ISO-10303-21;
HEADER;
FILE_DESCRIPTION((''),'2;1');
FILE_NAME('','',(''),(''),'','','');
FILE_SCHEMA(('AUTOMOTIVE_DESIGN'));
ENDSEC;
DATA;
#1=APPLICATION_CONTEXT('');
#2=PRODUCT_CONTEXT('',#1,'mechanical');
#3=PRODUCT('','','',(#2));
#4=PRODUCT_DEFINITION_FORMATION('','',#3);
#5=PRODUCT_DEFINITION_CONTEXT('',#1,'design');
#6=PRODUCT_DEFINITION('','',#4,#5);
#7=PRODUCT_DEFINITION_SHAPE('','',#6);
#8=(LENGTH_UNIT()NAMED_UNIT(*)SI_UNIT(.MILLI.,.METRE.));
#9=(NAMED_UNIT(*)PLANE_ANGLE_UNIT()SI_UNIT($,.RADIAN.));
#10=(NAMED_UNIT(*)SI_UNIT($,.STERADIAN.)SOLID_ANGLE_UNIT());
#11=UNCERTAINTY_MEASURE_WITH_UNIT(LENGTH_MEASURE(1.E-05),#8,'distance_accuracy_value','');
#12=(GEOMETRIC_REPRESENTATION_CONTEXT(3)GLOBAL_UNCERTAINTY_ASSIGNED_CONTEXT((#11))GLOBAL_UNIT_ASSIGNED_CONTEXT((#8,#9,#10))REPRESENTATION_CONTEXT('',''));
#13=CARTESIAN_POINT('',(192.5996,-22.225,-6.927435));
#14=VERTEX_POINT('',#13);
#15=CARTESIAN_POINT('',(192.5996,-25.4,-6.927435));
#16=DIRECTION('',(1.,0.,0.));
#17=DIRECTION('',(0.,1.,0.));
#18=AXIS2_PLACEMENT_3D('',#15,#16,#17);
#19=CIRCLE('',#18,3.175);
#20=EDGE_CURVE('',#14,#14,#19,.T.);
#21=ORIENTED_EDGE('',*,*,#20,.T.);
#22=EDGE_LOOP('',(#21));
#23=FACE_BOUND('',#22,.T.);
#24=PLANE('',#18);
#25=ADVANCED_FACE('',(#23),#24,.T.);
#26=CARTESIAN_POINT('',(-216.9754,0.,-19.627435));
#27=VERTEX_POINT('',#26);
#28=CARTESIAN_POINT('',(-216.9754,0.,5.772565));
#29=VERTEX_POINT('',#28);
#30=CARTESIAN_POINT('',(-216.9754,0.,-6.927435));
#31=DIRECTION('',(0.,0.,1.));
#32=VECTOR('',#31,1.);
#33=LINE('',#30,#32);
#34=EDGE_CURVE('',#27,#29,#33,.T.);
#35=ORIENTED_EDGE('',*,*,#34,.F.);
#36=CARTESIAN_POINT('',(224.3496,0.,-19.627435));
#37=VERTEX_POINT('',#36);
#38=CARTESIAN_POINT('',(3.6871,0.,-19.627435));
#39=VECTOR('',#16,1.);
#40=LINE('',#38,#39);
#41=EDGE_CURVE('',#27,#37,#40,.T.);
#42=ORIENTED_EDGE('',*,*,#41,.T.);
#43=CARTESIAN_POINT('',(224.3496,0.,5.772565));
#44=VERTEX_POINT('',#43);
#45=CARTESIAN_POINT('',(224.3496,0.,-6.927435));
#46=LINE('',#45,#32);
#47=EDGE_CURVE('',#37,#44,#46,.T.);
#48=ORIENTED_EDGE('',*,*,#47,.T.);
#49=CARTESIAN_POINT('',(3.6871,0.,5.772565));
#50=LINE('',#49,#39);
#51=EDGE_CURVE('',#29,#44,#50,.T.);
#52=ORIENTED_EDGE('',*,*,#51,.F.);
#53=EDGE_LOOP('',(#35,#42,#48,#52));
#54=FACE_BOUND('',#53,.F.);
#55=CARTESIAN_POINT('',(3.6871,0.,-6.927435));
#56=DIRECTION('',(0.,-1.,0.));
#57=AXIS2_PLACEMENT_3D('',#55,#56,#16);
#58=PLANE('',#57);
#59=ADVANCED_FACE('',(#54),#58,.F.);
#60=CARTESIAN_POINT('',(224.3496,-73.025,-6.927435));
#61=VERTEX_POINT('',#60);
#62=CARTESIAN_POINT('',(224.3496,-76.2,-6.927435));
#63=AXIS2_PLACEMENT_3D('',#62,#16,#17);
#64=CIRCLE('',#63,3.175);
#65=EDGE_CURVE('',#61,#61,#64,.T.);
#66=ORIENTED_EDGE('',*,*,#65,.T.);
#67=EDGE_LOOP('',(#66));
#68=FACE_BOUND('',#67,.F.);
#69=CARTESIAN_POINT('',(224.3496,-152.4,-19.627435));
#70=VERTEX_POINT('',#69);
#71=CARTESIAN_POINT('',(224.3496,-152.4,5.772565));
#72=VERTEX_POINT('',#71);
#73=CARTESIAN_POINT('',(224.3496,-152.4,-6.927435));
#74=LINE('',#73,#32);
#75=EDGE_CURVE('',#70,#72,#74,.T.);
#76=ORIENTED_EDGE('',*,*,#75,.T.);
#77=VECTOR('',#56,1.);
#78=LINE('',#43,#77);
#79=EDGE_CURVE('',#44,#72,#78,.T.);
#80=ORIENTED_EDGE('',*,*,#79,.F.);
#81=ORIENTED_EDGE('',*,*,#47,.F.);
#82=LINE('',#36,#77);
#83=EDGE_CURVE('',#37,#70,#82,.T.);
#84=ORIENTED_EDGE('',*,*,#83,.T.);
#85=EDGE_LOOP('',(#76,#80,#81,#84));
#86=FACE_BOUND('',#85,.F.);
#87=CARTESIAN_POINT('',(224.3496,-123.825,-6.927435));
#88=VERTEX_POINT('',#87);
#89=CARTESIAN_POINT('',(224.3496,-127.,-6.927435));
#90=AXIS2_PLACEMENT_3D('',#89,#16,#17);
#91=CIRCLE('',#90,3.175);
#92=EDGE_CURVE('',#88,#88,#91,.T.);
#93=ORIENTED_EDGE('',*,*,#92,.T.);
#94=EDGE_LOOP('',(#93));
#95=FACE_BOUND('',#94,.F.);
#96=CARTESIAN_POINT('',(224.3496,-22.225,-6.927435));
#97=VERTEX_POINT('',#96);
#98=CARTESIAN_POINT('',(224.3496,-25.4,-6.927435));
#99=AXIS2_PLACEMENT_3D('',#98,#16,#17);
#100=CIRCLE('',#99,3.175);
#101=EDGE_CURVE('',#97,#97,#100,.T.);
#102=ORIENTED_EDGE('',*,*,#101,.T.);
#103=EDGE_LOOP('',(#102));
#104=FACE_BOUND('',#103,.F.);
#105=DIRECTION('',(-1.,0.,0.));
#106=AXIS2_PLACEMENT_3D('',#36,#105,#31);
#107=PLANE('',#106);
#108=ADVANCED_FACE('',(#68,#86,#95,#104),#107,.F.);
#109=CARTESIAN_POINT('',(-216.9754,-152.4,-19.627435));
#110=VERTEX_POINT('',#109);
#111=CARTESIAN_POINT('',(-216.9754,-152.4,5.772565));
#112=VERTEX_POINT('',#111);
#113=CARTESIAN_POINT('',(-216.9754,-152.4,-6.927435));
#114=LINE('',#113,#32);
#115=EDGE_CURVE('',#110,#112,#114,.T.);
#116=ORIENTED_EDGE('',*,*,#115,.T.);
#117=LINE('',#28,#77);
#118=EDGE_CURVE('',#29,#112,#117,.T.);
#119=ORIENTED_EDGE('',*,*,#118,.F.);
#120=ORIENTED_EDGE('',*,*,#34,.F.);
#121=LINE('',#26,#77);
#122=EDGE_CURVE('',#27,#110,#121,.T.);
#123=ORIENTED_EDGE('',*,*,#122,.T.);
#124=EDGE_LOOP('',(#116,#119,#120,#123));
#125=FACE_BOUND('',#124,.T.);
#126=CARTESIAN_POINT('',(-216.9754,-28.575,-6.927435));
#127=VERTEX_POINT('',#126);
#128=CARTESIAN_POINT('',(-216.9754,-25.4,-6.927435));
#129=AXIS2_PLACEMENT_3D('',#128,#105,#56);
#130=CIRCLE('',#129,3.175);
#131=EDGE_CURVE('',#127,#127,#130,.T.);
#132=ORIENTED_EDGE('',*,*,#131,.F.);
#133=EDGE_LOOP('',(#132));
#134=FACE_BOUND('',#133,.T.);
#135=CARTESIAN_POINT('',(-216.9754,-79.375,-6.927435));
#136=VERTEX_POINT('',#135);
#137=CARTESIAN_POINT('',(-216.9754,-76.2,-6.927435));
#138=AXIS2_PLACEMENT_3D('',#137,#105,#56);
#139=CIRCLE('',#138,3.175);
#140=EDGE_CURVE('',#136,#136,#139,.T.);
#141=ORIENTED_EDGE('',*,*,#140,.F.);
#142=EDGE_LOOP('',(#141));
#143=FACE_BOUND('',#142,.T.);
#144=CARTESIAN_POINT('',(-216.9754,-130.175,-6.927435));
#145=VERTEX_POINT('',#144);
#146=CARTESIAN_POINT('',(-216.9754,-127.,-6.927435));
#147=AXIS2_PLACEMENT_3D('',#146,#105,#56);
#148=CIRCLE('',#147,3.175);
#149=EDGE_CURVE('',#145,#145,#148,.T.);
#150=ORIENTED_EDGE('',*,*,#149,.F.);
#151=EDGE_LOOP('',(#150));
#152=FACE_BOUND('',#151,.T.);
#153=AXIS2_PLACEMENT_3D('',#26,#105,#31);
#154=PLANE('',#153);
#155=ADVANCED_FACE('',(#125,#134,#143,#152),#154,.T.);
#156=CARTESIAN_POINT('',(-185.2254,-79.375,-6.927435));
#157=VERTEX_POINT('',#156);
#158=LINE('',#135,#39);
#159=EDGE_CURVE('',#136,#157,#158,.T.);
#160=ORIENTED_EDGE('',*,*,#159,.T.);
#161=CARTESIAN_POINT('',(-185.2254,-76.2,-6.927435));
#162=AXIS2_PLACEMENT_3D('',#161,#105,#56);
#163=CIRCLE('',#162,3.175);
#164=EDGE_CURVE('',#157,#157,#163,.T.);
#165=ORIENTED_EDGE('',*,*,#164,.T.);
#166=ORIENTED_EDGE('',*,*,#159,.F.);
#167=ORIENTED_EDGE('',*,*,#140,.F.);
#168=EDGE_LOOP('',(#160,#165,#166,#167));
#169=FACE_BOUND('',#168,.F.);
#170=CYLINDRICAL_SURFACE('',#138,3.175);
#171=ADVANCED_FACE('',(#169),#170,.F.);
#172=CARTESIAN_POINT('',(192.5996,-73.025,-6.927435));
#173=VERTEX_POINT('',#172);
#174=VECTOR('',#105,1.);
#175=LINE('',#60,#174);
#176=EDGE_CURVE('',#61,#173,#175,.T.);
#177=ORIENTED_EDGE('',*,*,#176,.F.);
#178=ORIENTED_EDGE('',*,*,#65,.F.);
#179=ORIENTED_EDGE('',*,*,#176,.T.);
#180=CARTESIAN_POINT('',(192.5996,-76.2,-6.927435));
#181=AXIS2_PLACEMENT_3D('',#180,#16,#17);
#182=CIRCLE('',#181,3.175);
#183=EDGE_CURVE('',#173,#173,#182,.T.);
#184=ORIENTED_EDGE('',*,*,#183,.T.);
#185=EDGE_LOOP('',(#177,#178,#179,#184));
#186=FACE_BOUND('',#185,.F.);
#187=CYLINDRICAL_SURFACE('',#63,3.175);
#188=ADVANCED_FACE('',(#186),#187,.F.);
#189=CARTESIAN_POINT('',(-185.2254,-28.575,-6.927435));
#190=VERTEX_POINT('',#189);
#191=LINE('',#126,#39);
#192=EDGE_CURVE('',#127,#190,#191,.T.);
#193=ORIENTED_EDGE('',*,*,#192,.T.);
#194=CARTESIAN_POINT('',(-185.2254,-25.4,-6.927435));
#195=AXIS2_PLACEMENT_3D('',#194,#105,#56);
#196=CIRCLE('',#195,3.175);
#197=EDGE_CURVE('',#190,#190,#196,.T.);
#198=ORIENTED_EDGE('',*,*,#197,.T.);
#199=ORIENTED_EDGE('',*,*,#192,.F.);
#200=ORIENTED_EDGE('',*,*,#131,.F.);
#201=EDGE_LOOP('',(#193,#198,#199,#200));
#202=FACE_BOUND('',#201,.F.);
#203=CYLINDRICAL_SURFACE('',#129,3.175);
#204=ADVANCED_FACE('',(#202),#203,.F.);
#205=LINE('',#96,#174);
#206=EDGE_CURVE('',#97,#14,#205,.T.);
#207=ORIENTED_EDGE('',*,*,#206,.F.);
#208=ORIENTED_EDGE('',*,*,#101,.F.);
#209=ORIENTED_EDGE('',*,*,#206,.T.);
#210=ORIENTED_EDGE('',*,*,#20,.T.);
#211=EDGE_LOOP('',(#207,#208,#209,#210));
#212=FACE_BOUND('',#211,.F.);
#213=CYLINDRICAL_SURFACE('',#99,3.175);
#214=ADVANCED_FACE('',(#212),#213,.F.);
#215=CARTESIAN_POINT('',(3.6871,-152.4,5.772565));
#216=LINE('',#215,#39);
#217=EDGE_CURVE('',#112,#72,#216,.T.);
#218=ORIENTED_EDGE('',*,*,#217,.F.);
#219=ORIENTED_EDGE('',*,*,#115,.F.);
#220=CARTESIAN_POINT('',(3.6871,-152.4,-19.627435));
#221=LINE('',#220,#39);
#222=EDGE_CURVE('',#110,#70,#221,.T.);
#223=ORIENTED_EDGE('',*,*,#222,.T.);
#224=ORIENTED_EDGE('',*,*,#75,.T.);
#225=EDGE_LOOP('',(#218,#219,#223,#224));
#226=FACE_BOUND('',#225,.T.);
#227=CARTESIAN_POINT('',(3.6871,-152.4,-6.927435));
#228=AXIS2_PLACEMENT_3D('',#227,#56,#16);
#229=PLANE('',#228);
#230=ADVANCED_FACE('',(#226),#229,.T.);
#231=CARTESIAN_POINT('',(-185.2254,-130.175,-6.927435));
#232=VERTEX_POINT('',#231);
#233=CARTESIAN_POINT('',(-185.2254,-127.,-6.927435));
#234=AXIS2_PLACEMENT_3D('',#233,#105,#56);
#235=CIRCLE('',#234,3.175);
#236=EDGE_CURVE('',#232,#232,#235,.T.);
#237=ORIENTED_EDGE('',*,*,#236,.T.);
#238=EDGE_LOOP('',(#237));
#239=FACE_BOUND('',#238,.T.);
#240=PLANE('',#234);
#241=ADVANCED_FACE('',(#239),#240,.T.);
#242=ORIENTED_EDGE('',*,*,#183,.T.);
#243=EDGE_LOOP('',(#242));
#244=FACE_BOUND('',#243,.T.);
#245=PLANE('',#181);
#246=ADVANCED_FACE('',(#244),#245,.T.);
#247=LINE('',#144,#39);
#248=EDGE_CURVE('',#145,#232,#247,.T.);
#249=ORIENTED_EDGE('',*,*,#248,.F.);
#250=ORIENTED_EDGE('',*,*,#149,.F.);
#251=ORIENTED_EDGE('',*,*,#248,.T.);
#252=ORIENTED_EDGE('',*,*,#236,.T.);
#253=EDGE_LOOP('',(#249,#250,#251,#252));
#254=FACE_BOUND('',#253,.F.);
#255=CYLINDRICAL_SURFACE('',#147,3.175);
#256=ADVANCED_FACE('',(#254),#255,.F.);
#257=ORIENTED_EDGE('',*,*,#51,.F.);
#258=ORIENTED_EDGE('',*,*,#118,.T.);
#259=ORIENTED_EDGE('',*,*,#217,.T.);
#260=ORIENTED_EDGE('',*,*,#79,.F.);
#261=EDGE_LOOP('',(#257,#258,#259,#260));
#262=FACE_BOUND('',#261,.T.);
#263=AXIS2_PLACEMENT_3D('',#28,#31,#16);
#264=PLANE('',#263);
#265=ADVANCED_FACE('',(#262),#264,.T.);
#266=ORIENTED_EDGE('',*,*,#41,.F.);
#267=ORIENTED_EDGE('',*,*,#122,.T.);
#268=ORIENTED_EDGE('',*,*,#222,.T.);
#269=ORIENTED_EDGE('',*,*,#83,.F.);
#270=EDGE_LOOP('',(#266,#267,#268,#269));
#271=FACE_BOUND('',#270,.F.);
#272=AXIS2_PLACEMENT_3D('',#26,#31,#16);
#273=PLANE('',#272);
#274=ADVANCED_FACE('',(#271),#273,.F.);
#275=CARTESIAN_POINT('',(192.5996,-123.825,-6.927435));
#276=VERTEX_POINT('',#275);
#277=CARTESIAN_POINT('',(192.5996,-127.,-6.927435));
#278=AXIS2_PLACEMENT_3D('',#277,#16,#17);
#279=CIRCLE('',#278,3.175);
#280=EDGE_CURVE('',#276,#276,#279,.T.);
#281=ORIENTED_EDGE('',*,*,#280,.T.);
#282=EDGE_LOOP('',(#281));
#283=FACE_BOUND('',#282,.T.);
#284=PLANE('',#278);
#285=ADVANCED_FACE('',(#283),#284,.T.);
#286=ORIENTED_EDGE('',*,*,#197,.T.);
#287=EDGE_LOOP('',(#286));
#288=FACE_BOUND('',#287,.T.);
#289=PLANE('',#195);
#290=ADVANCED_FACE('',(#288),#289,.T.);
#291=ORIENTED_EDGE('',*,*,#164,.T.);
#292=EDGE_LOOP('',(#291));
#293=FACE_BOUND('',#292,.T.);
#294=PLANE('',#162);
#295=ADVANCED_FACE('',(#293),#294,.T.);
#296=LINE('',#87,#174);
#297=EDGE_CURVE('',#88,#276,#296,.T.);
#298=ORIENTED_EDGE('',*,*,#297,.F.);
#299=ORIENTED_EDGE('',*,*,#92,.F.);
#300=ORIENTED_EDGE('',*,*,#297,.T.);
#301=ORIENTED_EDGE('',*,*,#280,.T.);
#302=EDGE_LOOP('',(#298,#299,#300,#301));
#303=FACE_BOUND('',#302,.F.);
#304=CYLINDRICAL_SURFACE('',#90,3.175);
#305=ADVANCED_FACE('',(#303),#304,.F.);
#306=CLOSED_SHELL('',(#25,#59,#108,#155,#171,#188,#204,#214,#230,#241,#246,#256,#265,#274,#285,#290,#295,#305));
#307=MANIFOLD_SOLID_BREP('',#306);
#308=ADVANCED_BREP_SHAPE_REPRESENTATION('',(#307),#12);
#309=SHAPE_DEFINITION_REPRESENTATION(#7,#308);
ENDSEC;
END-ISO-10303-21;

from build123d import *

# Parameters (mm, degrees)
F0_W     = 441.325
F0_H     = 25.4
F1_DEPTH = 152.4
F2_R     = 3.175
F4_DEPTH = 31.75
F3_R     = 3.175
F5_DEPTH = 31.75


with BuildPart() as f1:
    # F0 (on Front) → F1 (new body)
    with BuildSketch(Plane.XZ):
        with Locations((3.6871, -6.927435)):
            Rectangle(F0_W, F0_H)
    extrude(amount=F1_DEPTH)

    # F2 (on face) → F4 (cut)
    with BuildSketch(Plane(origin=(-216.9754, 0, 0), x_dir=(0, -1, 0), z_dir=(-1, 0, 0))):
        with Locations((25.4, -6.927435)):
            Circle(F2_R)
        with Locations((76.2, -6.927435)):
            Circle(F2_R)
        with Locations((127, -6.927435)):
            Circle(F2_R)
    extrude(amount=-F4_DEPTH, mode=Mode.SUBTRACT)

    # F3 (on face) → F5 (cut)
    with BuildSketch(Plane.YZ.offset(224.3496)):
        with Locations((-25.4, -6.927435)):
            Circle(F3_R)
        with Locations((-76.2, -6.927435)):
            Circle(F3_R)
        with Locations((-127, -6.927435)):
            Circle(F3_R)
    extrude(amount=-F5_DEPTH, mode=Mode.SUBTRACT)


solid = f1.part
